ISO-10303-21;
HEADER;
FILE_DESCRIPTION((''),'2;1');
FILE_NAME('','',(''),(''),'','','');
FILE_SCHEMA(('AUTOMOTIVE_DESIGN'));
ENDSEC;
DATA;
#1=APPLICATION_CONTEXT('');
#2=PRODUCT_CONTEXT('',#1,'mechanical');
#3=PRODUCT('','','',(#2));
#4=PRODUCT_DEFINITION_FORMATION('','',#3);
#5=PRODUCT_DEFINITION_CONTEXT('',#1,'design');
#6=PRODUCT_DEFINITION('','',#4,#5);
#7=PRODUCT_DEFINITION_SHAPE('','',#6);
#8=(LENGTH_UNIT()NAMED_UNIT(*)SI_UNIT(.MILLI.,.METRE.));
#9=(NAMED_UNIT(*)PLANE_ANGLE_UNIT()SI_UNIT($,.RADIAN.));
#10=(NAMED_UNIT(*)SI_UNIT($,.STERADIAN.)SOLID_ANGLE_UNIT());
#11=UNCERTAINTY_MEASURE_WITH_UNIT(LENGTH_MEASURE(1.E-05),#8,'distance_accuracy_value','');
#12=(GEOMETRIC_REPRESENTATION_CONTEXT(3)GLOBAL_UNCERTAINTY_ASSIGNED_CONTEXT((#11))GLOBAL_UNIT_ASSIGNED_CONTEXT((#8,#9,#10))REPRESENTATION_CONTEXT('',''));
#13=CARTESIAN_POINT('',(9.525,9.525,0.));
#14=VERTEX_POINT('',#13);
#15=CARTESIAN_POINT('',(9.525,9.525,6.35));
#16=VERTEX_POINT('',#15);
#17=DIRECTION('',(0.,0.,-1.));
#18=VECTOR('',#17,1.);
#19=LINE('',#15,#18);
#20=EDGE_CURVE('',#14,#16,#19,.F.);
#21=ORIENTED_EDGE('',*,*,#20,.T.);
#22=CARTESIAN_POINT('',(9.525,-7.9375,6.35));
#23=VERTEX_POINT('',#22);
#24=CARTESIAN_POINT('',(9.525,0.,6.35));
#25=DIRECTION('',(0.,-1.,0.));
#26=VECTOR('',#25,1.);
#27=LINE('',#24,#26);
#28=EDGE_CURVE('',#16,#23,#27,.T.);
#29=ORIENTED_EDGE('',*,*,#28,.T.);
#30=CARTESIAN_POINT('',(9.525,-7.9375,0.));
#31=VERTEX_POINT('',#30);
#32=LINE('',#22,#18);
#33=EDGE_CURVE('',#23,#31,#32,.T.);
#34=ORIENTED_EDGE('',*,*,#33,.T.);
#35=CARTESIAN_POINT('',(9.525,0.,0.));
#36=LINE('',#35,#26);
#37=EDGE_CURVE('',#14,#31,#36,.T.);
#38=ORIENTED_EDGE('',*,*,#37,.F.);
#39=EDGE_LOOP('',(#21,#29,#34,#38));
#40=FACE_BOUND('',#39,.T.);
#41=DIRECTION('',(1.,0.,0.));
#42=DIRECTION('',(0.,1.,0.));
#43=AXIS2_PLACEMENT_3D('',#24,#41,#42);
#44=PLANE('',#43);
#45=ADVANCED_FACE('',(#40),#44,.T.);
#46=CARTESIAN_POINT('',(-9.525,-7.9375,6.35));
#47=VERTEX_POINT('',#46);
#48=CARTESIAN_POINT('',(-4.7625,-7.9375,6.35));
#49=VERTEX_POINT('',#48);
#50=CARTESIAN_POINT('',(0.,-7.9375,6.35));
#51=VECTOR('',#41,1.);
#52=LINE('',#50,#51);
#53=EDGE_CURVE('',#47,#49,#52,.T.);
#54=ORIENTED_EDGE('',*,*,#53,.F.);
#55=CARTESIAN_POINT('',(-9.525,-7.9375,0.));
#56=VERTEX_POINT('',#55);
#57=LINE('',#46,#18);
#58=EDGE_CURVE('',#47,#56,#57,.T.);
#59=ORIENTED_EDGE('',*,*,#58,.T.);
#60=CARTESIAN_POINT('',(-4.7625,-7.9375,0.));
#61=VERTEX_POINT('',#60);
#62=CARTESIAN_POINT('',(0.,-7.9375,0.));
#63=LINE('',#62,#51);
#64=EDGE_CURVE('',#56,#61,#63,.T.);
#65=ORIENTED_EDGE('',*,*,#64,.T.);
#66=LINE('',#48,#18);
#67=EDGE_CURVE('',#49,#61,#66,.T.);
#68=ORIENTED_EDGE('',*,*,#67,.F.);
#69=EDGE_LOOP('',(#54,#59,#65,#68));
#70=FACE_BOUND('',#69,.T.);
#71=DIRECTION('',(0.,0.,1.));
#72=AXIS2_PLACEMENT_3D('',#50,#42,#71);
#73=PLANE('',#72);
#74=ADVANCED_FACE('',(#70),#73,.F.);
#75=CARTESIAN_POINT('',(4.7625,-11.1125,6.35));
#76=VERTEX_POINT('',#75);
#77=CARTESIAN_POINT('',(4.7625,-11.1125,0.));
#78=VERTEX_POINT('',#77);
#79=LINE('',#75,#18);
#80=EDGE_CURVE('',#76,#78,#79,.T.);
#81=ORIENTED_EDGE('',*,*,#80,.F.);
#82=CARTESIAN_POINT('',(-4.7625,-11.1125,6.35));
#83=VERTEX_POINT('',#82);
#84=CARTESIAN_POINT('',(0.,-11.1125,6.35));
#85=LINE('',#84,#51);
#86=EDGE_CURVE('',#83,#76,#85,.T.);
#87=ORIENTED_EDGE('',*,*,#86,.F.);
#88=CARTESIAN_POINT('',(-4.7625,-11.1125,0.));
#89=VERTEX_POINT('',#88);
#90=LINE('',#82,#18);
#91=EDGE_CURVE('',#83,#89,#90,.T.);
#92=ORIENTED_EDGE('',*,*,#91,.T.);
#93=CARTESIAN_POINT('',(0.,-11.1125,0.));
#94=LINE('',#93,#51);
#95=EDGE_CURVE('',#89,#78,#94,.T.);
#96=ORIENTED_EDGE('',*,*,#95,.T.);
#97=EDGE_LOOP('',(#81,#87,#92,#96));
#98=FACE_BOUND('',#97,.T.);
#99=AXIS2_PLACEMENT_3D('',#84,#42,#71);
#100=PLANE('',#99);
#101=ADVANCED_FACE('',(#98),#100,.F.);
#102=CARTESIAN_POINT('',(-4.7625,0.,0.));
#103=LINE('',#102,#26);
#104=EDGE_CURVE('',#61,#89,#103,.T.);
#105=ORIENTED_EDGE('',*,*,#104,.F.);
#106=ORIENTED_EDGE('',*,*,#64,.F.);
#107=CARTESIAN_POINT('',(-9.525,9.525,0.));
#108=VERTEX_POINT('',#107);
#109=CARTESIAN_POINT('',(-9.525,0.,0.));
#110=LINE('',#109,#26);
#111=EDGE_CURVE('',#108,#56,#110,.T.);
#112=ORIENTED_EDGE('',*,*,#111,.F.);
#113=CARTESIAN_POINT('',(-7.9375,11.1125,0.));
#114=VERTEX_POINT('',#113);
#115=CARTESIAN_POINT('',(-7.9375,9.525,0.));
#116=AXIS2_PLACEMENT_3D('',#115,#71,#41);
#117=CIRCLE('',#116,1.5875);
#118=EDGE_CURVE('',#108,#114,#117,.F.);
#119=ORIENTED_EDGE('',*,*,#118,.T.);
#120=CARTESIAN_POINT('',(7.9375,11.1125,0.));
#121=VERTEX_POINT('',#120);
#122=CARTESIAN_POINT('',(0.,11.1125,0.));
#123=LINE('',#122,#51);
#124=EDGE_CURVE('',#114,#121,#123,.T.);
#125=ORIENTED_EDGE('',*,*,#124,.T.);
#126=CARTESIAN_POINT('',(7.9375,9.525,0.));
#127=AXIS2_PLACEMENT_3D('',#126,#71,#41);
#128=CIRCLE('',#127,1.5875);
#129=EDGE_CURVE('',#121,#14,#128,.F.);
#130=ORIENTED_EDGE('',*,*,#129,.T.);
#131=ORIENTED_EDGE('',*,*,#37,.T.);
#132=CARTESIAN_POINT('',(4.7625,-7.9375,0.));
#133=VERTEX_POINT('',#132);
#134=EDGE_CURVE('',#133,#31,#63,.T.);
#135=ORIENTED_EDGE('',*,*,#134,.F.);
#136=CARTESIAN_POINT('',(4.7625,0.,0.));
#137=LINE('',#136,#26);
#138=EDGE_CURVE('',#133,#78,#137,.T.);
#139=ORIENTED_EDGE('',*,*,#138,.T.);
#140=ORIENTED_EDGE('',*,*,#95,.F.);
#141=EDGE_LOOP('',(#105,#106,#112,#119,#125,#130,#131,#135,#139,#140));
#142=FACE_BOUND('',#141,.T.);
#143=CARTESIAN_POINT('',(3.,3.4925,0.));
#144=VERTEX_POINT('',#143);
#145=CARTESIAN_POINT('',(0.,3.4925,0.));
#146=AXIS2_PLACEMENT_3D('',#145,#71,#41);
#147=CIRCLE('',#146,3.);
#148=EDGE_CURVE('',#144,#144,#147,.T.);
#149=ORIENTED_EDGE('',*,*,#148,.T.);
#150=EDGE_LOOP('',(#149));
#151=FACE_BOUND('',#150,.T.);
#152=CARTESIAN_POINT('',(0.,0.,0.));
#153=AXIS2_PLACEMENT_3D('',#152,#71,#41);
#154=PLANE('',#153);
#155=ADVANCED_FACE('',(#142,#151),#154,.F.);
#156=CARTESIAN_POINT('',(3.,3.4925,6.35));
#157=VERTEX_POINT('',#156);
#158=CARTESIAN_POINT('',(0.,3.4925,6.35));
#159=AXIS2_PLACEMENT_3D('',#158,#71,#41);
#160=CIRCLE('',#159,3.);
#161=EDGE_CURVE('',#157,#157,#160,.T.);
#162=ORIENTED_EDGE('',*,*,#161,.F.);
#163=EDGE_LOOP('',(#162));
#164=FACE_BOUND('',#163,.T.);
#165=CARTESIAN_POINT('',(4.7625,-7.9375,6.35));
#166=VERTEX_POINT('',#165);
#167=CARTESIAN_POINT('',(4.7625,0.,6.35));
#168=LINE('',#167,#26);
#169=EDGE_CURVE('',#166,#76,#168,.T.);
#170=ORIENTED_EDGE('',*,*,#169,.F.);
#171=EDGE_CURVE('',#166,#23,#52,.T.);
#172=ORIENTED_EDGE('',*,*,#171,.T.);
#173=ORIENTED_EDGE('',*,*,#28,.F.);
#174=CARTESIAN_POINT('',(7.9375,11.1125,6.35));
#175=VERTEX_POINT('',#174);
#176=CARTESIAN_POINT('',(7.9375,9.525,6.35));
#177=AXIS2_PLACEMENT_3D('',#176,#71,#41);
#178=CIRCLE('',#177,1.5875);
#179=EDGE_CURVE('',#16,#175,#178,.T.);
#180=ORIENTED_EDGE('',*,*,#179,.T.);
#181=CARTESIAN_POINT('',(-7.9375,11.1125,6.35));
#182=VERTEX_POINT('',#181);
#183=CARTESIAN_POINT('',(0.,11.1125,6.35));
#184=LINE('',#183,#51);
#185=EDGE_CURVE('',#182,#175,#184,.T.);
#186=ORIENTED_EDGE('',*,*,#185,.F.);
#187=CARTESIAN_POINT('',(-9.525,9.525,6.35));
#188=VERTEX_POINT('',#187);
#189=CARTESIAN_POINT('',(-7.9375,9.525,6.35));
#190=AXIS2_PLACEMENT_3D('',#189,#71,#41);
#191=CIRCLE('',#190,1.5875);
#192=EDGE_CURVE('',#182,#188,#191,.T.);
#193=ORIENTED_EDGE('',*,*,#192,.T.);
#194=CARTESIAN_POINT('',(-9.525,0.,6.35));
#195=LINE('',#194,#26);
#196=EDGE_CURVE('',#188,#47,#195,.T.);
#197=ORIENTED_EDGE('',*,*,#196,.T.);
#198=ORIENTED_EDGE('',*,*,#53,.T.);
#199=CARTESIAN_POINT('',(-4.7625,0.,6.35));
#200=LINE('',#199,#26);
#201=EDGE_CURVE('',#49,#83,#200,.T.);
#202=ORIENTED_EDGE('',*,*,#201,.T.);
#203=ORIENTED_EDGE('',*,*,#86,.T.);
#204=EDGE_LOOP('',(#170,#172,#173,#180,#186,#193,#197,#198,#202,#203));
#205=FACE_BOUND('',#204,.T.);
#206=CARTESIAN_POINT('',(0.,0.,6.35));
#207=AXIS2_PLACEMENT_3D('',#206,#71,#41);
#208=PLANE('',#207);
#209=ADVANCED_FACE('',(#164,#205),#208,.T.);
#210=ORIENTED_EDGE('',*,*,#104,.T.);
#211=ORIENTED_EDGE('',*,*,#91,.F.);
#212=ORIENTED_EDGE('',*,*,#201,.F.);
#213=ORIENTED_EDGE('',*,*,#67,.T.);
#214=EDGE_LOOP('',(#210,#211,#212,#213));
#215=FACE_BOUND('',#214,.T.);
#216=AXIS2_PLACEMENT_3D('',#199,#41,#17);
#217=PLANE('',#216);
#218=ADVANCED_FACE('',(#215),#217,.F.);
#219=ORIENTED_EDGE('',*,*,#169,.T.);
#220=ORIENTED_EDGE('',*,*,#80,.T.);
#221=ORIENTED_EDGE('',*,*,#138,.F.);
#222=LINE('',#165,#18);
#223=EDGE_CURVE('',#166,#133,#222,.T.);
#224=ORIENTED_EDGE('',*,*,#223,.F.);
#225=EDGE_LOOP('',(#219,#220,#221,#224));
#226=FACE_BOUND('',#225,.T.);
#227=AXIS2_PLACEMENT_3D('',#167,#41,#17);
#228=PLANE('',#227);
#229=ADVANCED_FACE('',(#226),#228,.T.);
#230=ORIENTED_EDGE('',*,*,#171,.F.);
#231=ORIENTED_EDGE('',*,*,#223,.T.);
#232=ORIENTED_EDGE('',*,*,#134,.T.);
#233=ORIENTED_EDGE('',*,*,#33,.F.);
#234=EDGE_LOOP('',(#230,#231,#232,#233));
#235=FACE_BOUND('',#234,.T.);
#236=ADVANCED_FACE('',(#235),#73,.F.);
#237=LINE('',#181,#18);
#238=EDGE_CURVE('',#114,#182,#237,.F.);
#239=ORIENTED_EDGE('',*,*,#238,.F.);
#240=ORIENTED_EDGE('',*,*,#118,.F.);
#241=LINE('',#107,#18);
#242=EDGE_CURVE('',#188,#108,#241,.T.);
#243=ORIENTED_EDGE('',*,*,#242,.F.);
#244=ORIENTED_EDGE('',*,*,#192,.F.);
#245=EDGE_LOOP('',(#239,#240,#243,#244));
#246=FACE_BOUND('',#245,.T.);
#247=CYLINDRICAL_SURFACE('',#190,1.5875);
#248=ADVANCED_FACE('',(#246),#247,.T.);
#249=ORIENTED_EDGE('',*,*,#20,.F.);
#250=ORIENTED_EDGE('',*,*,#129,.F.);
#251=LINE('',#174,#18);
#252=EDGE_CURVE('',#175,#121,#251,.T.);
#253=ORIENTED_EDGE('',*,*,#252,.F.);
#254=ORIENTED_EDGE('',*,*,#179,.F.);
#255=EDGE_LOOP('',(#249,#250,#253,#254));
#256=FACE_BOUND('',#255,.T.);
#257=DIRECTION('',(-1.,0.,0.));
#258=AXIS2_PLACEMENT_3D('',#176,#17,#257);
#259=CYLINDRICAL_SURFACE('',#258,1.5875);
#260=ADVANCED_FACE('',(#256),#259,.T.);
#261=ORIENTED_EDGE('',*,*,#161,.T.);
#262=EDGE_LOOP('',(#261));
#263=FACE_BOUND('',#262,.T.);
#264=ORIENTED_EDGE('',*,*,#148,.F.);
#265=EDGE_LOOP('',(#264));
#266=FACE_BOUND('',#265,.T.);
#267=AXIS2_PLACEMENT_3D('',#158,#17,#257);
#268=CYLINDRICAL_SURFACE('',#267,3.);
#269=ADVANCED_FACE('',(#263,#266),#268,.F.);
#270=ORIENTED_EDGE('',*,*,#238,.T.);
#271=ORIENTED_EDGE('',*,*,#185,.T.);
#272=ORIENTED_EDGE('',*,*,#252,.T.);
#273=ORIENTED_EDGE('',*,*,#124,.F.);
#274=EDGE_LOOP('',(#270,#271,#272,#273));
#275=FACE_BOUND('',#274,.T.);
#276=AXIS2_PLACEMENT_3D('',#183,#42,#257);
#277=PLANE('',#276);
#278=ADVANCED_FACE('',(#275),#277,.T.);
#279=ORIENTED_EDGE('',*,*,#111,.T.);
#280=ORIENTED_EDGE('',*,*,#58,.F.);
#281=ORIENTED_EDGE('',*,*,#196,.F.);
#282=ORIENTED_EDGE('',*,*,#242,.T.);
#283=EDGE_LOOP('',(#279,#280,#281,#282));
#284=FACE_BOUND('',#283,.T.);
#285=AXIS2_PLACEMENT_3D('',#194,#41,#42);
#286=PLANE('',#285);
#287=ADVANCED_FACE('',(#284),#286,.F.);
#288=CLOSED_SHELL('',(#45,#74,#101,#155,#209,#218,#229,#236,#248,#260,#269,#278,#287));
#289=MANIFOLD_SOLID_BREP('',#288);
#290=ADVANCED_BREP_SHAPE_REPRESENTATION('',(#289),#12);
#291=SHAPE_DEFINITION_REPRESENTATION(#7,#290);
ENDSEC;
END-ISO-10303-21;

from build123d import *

# Parameters (mm, degrees)
SKETCH1_R           = 3
SKETCH1_W           = 9.525
SKETCH1_H           = 3.175
BOSS_EXTRUDE1_DEPTH = 6.35
FILLET1_R           = 1.5875


with BuildPart() as part:
    # Sketch1 → Boss-Extrude1 (new body)
    # profile 1 of 2: a face of its own
    with BuildSketch(Plane.XY):
        Polygon((9.525, 11.1125), (-9.525, 11.1125), (-9.525, -7.9375), (-4.7625, -7.9375), (4.7625, -7.9375), (9.525, -7.9375), align=None)
        with Locations((0, 3.4925)):
            Circle(SKETCH1_R, mode=Mode.SUBTRACT)
    # profile 2 of 2: a face of its own
    with BuildSketch(Plane.XY):
        with Locations((0, -9.525)):
            Rectangle(SKETCH1_W, SKETCH1_H)
    extrude(amount=BOSS_EXTRUDE1_DEPTH)

    # Fillet1
    fillet1_edges = [part.edges().sort_by_distance(p)[0] for p in [
        (-9.525, 11.1125, 3.175),
        (9.525, 11.1125, 3.175),
    ]]
    fillet(fillet1_edges, radius=FILLET1_R)


solid = part.part
